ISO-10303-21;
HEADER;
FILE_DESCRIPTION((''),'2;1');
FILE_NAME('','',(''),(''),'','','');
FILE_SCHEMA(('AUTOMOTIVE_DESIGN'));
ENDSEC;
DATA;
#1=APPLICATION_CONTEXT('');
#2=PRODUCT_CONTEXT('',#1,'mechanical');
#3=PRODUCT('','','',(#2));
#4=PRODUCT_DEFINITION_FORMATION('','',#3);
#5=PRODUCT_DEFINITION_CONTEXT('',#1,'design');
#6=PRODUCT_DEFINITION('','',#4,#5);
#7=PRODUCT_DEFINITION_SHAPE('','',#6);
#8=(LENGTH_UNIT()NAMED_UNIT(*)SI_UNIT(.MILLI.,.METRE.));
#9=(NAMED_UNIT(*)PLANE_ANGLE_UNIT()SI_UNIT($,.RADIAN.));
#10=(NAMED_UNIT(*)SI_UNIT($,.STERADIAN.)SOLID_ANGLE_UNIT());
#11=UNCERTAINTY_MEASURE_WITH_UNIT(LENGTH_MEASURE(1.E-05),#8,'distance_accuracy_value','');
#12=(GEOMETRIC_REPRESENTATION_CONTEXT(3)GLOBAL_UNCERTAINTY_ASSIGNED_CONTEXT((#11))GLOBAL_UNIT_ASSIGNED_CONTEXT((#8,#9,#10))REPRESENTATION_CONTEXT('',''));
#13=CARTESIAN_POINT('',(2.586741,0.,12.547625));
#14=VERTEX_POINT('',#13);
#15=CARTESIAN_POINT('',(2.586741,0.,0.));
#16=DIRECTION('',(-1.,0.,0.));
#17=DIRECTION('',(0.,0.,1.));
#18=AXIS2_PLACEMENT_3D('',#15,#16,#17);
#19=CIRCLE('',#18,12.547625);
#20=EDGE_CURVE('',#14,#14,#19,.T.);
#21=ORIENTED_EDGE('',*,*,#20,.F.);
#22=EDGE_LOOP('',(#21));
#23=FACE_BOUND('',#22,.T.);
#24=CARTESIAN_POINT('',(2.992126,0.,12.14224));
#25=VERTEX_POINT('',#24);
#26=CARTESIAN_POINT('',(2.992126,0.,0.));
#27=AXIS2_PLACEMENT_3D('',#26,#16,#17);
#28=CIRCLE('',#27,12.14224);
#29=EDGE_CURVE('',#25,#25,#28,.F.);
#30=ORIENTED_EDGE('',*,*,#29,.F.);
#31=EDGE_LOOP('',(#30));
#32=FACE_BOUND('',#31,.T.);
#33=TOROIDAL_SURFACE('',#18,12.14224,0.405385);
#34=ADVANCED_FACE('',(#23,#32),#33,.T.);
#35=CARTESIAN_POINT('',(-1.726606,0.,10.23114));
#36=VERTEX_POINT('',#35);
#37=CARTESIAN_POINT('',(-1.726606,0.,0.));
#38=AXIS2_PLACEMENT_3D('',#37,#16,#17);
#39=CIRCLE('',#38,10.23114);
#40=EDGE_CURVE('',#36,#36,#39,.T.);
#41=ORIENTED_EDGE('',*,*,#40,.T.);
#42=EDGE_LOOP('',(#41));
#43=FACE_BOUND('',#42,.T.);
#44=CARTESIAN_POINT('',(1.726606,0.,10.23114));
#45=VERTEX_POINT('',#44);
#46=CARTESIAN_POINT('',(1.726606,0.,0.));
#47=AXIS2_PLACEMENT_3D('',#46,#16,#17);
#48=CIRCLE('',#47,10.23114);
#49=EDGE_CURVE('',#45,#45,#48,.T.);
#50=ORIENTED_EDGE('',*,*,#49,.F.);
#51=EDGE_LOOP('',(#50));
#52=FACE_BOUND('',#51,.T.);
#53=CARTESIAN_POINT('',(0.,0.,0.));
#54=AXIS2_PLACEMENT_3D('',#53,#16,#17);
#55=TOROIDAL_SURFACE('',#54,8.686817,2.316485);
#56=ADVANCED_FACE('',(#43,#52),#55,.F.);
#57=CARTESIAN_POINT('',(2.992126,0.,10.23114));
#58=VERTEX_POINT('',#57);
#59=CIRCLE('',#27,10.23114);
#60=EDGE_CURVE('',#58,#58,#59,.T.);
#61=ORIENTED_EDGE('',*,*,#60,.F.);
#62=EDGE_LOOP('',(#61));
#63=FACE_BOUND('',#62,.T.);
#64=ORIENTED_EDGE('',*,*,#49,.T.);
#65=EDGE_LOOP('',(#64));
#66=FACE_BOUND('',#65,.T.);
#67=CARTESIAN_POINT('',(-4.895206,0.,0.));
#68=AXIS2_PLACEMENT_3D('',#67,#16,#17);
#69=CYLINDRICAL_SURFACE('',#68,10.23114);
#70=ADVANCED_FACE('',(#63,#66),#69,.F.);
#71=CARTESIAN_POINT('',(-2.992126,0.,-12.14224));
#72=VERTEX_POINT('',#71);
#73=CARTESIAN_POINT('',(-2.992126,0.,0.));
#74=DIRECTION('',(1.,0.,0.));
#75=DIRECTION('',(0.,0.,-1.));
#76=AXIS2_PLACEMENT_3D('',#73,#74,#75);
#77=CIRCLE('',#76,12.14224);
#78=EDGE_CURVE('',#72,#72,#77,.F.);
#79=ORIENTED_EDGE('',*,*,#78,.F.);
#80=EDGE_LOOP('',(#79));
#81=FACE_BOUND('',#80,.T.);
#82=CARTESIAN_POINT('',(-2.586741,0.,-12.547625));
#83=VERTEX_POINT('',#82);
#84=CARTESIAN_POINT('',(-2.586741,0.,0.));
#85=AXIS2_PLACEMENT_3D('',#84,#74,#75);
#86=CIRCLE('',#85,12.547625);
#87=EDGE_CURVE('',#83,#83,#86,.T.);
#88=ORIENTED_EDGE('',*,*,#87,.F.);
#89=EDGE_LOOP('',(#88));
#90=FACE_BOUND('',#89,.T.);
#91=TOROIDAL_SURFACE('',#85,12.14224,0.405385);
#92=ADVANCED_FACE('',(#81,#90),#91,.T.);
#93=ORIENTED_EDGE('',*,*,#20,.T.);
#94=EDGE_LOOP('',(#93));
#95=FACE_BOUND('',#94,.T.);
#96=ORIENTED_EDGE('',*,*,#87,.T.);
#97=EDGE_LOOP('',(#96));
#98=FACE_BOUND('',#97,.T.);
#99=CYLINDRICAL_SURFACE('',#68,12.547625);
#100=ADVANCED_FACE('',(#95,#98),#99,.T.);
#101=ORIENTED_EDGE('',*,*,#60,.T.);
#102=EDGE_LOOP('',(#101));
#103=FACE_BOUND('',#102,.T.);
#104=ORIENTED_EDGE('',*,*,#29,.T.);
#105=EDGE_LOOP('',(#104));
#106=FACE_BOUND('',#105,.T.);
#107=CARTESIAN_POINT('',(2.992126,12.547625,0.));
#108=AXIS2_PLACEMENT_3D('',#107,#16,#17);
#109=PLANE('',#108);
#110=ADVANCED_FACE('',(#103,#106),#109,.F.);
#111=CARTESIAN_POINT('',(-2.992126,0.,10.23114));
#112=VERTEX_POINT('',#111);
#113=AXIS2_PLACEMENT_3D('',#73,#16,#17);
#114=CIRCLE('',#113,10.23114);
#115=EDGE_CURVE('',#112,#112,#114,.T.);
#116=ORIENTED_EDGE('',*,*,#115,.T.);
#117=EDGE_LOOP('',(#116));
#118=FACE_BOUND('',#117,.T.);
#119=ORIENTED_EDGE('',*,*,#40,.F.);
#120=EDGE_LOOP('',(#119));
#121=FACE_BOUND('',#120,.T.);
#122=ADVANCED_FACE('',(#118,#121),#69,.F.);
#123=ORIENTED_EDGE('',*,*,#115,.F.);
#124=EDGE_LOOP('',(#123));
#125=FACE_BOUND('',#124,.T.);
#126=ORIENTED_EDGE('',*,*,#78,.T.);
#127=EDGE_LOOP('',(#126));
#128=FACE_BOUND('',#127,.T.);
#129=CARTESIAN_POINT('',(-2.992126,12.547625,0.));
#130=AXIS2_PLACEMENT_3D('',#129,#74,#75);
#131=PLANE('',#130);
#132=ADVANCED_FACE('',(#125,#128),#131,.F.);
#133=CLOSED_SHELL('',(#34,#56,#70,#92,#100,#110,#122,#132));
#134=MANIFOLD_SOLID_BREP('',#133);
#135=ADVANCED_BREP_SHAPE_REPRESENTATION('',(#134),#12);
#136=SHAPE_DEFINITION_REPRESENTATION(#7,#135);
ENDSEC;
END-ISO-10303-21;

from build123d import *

# Parameters (mm, degrees)
FILLET1_R    = 2.1
SCALE1_SCALE = 0.193040386


with BuildPart() as part:
    # Sketch1 → Revolve1 (revolve)
    with BuildSketch(Plane.XY, mode=Mode.PRIVATE) as revolve1_sk:
        with BuildLine():
            Line((-15.5, 65), (15.5, 65))
            Line((15.5, 65), (15.5, 53))
            Line((15.5, 53), (8.94427191, 53))
            ThreePointArc((8.94427191, 53), (0, 57), (-8.94427191, 53))
            Line((-8.94427191, 53), (-15.5, 53))
            Line((-15.5, 53), (-15.5, 65))
        make_face()
    revolve(revolve1_sk.sketch.rotate(Axis((-25.358454362, 0, 0), (1, 0, 0)), 90), axis=Axis((-25.358454362, 0, 0), (1, 0, 0)))

    # Fillet1
    fillet1_edges = [part.edges().sort_by_distance(p)[0] for p in [
        (15.5, 0, -65),
        (-15.5, 0, -65),
    ]]
    fillet(fillet1_edges, radius=FILLET1_R)


with BuildPart() as part_1:
    # Scale1: scaled about (0, 0, 0)
    add(part.part.scale(SCALE1_SCALE))


solid = part_1.part
